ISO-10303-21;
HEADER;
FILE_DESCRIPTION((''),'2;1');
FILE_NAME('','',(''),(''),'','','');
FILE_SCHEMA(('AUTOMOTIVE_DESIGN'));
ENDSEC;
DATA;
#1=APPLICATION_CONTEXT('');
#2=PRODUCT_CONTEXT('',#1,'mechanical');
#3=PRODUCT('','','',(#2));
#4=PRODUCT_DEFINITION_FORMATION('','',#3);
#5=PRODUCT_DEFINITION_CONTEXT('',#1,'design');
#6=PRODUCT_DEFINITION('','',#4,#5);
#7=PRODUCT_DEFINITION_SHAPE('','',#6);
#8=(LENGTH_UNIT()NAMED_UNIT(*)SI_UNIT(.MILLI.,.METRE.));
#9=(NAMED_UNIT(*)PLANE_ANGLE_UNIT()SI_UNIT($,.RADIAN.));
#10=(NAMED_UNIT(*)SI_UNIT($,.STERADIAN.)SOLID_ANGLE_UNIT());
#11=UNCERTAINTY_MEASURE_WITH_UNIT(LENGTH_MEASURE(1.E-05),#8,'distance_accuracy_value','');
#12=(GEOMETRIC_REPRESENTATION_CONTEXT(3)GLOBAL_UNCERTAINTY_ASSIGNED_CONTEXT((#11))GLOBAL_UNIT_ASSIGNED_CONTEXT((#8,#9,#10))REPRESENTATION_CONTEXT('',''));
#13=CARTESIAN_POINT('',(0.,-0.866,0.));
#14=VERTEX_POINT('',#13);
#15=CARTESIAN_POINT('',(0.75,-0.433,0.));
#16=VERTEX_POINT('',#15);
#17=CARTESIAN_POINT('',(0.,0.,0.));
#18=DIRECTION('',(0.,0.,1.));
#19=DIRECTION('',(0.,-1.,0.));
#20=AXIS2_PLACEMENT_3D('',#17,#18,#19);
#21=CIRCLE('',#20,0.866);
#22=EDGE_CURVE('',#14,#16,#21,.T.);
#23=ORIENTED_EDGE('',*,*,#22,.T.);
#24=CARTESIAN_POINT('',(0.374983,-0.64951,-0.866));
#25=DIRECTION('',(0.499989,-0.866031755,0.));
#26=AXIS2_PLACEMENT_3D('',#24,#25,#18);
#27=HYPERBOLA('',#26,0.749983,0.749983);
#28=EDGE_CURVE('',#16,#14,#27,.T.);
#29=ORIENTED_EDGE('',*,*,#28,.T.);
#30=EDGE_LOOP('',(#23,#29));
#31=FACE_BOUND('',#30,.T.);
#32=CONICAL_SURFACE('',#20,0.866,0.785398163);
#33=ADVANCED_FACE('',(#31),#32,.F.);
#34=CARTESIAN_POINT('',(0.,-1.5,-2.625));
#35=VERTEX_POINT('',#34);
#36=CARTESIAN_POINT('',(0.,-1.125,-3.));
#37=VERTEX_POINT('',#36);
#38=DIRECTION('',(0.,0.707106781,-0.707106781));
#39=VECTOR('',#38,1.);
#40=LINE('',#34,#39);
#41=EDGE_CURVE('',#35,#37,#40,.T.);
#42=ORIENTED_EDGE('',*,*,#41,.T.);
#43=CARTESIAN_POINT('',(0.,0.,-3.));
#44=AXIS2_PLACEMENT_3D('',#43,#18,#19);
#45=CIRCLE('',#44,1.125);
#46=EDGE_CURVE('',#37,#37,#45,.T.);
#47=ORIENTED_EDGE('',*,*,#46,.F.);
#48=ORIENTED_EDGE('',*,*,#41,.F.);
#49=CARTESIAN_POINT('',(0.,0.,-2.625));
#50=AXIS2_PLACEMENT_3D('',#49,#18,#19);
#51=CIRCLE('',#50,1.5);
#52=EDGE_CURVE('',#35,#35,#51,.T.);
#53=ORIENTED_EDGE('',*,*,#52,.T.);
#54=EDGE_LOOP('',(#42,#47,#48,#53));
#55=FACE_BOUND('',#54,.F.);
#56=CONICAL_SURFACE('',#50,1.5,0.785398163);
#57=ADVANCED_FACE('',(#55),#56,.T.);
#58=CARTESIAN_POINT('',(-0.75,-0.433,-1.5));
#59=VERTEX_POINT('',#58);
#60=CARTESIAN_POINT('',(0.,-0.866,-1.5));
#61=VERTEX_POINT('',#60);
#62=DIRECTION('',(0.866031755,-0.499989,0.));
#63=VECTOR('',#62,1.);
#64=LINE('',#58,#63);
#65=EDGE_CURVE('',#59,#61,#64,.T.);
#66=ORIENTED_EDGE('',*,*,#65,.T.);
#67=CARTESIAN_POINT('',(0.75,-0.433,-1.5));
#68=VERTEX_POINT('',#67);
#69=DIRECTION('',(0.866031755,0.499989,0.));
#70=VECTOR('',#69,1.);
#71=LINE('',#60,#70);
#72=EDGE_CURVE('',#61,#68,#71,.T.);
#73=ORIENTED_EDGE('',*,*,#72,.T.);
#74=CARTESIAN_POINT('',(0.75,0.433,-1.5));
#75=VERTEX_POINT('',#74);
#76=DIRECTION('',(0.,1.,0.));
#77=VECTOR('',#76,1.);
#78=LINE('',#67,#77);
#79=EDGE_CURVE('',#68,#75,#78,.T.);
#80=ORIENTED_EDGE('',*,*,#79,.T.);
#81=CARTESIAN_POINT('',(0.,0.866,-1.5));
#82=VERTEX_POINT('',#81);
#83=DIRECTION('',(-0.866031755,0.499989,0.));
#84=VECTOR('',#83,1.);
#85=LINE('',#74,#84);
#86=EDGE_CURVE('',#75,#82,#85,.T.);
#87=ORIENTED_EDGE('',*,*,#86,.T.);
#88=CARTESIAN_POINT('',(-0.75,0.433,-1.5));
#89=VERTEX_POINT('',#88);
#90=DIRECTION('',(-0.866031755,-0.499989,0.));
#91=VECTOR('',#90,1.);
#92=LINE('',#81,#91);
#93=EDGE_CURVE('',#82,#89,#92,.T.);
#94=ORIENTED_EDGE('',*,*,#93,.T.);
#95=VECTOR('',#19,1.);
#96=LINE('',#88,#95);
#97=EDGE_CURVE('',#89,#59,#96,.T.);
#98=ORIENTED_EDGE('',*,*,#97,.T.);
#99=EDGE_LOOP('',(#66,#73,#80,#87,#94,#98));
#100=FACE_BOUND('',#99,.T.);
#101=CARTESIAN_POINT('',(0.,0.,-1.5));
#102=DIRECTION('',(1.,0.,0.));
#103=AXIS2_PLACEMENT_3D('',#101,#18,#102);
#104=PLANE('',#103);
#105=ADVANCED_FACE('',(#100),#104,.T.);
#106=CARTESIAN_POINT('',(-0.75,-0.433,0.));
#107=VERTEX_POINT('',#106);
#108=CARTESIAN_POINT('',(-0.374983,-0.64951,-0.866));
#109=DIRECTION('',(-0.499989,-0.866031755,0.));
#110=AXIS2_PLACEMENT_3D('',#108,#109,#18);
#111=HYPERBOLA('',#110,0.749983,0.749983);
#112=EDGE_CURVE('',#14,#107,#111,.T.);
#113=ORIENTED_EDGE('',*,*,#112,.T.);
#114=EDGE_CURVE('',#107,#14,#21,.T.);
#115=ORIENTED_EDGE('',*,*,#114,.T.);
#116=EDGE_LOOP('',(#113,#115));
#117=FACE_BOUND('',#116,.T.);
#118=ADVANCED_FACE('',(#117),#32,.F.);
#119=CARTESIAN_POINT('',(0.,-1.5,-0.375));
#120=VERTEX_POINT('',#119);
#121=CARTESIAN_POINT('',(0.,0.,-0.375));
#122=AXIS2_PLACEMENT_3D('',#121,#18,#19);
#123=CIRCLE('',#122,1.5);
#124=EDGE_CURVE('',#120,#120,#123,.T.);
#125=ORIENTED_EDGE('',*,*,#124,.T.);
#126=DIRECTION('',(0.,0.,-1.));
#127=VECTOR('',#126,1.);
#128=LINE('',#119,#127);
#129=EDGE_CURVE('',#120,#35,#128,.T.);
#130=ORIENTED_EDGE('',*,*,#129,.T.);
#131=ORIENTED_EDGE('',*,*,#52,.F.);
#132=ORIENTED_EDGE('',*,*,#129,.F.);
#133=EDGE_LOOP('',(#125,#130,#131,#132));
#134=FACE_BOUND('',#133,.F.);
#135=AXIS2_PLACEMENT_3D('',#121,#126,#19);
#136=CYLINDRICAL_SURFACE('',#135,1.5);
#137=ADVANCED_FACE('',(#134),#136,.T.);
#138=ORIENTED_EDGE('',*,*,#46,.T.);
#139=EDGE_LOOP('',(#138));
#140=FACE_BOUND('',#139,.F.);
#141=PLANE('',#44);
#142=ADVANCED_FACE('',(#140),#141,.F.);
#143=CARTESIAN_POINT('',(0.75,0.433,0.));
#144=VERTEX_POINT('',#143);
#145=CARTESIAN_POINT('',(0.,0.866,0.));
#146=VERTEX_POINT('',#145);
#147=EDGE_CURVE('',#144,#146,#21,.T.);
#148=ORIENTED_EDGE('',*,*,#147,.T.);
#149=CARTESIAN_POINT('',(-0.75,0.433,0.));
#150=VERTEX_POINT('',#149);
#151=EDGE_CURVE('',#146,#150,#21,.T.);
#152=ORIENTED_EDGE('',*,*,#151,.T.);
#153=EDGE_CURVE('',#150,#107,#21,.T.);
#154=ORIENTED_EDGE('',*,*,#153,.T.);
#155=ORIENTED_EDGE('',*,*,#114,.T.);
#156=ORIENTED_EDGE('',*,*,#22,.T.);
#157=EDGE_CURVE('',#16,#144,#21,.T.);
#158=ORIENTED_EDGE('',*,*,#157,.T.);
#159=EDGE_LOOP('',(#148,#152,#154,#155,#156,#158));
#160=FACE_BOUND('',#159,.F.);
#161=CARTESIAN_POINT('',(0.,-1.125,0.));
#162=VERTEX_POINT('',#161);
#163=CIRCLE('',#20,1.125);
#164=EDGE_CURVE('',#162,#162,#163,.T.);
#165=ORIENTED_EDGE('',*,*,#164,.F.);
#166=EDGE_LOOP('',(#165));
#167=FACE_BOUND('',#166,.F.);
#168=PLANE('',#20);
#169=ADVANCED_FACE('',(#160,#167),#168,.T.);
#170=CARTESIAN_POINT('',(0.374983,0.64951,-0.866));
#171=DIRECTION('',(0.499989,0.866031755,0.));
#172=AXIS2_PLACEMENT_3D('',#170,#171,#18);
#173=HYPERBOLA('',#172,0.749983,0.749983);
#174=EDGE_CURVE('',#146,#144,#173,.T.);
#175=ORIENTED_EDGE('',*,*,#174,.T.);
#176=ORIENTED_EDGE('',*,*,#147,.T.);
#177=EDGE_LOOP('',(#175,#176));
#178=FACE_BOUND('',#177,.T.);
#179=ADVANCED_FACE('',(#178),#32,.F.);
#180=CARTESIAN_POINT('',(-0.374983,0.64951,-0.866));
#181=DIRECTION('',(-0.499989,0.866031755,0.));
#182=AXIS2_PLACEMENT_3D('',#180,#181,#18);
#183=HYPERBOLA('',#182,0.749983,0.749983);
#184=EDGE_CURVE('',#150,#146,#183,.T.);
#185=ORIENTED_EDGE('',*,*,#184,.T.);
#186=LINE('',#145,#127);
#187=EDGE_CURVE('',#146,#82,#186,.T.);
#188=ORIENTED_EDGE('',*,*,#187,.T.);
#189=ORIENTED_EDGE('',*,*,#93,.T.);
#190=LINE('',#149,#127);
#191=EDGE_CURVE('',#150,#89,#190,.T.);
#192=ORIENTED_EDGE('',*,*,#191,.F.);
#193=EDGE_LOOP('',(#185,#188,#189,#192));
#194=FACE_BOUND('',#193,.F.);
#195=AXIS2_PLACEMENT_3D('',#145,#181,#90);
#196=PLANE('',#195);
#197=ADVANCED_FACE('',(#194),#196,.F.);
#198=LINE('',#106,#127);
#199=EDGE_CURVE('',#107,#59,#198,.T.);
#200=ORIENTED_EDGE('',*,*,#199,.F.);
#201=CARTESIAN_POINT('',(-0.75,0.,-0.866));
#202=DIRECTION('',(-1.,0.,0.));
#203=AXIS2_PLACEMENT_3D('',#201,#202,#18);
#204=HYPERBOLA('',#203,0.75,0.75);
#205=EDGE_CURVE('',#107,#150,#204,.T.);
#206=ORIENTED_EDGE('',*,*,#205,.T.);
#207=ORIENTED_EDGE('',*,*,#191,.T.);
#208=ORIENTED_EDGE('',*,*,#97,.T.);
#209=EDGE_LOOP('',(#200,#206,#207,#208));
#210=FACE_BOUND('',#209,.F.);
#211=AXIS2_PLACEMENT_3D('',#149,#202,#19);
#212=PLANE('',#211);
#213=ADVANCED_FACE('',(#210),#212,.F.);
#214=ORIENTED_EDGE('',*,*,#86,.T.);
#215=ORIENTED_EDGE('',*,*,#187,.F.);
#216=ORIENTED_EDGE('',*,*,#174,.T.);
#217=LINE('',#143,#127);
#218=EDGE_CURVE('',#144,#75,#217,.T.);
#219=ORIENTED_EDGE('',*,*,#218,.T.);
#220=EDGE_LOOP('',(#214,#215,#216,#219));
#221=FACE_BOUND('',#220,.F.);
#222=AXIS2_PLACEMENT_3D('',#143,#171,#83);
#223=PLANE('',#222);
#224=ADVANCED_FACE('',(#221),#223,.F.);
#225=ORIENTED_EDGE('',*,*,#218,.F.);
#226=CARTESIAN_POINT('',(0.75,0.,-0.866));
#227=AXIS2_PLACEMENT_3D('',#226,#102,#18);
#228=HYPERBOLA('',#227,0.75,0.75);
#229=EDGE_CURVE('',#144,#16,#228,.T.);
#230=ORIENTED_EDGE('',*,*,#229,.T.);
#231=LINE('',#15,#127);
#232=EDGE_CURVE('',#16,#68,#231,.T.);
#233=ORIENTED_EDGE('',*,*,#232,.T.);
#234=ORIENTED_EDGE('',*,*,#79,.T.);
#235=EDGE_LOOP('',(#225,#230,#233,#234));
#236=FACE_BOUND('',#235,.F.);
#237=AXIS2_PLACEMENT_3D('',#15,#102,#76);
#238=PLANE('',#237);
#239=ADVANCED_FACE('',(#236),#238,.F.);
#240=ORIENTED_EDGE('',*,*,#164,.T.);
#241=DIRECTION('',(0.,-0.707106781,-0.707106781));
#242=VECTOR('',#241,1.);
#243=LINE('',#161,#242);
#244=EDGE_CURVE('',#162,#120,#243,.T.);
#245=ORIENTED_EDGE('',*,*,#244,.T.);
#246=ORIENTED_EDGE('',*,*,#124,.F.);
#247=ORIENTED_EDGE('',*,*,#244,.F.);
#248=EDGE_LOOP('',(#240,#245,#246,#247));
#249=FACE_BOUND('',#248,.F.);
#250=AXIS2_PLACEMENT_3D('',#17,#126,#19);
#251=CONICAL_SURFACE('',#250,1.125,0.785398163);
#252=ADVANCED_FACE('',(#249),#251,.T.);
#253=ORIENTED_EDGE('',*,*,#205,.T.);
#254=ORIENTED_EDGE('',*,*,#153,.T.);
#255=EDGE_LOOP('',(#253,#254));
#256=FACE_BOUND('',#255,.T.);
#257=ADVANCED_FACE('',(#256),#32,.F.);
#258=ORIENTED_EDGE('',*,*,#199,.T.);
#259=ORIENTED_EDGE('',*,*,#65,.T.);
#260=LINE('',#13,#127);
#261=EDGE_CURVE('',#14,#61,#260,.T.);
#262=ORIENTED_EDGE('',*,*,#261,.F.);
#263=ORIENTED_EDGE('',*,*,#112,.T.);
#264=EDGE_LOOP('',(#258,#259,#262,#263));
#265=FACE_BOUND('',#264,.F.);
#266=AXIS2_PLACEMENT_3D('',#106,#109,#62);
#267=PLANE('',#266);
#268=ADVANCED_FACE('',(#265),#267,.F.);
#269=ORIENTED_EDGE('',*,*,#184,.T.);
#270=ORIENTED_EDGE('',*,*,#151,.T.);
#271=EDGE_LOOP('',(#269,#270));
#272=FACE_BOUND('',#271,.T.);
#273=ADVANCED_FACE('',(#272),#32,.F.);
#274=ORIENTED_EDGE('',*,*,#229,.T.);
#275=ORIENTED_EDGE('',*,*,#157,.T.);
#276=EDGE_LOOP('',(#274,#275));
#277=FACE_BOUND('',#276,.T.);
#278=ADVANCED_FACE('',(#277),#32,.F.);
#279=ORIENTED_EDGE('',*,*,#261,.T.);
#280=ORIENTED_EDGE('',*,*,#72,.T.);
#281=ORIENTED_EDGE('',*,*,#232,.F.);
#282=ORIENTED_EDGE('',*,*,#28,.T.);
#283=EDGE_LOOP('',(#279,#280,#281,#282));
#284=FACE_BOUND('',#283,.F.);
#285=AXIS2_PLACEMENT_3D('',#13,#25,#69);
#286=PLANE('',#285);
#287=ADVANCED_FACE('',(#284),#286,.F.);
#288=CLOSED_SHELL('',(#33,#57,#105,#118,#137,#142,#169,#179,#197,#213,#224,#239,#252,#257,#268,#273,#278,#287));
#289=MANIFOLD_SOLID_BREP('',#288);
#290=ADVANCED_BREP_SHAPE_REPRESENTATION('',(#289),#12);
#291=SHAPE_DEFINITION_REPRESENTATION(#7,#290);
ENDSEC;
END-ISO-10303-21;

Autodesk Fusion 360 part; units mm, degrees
sketch "Sketch2" plane through (0, 0, 0) normal (1, 0, 0) x (0, 1, 0)
  line L0 (-1.5, -2.625) -> (-1.125, -3)
  line L1 (-1.125, -3) -> (0, -3)
  line L2 (0, -3) -> (0, 0)
  line L3 (-1.5, -0.375) -> (-1.5, -2.625)
  line L4 (0, 0) -> (-1.125, 0)
  line L5 (-0.866, 0) -> (0, -0.866)
  line L6 (-1.125, 0) -> (-1.5, -0.375)
  point P0 (-1.75, 2)
  point P1 (-1.5, 0)
  dimension "d24" = 1.5
  dimension "d25" = 45
  dimension "d26" = 0.375
  dimension "d36" = 3
  dimension "d37" = 45
  dimension "d38" = 0.866
  dimension "d42" = 0.375
revolve "Revolve1" add sketch "Sketch2" angle 360 about axis through (0, 0, -3) along (0, 0, 1) contours L0 L1 L2 L3 L4 L5 L6
sketch "Sketch3" plane through (0, 0, 0) normal (0, 0, 1) x (1, 0, 0)
  line L0 (0.75, 0.433) -> (0, 0.866)
  line L1 (0, 0.866) -> (-0.75, 0.433)
  line L2 (-0.75, 0.433) -> (-0.75, -0.433)
  line L3 (-0.75, -0.433) -> (0, -0.866)
  line L4 (0, -0.866) -> (0.75, -0.433)
  line L5 (0.75, -0.433) -> (0.75, 0.433)
  dimension "d31" = 0.75
extrude "Extrude4" cut sketch "Sketch3" against normal blind 1.5
equation "Length = 3 mm"
equation "d36 = Length"
equation "d38 = 1.732 mm / 2"
equation "d42 = d26"
properties part number "M3x4mm Setscrew"
